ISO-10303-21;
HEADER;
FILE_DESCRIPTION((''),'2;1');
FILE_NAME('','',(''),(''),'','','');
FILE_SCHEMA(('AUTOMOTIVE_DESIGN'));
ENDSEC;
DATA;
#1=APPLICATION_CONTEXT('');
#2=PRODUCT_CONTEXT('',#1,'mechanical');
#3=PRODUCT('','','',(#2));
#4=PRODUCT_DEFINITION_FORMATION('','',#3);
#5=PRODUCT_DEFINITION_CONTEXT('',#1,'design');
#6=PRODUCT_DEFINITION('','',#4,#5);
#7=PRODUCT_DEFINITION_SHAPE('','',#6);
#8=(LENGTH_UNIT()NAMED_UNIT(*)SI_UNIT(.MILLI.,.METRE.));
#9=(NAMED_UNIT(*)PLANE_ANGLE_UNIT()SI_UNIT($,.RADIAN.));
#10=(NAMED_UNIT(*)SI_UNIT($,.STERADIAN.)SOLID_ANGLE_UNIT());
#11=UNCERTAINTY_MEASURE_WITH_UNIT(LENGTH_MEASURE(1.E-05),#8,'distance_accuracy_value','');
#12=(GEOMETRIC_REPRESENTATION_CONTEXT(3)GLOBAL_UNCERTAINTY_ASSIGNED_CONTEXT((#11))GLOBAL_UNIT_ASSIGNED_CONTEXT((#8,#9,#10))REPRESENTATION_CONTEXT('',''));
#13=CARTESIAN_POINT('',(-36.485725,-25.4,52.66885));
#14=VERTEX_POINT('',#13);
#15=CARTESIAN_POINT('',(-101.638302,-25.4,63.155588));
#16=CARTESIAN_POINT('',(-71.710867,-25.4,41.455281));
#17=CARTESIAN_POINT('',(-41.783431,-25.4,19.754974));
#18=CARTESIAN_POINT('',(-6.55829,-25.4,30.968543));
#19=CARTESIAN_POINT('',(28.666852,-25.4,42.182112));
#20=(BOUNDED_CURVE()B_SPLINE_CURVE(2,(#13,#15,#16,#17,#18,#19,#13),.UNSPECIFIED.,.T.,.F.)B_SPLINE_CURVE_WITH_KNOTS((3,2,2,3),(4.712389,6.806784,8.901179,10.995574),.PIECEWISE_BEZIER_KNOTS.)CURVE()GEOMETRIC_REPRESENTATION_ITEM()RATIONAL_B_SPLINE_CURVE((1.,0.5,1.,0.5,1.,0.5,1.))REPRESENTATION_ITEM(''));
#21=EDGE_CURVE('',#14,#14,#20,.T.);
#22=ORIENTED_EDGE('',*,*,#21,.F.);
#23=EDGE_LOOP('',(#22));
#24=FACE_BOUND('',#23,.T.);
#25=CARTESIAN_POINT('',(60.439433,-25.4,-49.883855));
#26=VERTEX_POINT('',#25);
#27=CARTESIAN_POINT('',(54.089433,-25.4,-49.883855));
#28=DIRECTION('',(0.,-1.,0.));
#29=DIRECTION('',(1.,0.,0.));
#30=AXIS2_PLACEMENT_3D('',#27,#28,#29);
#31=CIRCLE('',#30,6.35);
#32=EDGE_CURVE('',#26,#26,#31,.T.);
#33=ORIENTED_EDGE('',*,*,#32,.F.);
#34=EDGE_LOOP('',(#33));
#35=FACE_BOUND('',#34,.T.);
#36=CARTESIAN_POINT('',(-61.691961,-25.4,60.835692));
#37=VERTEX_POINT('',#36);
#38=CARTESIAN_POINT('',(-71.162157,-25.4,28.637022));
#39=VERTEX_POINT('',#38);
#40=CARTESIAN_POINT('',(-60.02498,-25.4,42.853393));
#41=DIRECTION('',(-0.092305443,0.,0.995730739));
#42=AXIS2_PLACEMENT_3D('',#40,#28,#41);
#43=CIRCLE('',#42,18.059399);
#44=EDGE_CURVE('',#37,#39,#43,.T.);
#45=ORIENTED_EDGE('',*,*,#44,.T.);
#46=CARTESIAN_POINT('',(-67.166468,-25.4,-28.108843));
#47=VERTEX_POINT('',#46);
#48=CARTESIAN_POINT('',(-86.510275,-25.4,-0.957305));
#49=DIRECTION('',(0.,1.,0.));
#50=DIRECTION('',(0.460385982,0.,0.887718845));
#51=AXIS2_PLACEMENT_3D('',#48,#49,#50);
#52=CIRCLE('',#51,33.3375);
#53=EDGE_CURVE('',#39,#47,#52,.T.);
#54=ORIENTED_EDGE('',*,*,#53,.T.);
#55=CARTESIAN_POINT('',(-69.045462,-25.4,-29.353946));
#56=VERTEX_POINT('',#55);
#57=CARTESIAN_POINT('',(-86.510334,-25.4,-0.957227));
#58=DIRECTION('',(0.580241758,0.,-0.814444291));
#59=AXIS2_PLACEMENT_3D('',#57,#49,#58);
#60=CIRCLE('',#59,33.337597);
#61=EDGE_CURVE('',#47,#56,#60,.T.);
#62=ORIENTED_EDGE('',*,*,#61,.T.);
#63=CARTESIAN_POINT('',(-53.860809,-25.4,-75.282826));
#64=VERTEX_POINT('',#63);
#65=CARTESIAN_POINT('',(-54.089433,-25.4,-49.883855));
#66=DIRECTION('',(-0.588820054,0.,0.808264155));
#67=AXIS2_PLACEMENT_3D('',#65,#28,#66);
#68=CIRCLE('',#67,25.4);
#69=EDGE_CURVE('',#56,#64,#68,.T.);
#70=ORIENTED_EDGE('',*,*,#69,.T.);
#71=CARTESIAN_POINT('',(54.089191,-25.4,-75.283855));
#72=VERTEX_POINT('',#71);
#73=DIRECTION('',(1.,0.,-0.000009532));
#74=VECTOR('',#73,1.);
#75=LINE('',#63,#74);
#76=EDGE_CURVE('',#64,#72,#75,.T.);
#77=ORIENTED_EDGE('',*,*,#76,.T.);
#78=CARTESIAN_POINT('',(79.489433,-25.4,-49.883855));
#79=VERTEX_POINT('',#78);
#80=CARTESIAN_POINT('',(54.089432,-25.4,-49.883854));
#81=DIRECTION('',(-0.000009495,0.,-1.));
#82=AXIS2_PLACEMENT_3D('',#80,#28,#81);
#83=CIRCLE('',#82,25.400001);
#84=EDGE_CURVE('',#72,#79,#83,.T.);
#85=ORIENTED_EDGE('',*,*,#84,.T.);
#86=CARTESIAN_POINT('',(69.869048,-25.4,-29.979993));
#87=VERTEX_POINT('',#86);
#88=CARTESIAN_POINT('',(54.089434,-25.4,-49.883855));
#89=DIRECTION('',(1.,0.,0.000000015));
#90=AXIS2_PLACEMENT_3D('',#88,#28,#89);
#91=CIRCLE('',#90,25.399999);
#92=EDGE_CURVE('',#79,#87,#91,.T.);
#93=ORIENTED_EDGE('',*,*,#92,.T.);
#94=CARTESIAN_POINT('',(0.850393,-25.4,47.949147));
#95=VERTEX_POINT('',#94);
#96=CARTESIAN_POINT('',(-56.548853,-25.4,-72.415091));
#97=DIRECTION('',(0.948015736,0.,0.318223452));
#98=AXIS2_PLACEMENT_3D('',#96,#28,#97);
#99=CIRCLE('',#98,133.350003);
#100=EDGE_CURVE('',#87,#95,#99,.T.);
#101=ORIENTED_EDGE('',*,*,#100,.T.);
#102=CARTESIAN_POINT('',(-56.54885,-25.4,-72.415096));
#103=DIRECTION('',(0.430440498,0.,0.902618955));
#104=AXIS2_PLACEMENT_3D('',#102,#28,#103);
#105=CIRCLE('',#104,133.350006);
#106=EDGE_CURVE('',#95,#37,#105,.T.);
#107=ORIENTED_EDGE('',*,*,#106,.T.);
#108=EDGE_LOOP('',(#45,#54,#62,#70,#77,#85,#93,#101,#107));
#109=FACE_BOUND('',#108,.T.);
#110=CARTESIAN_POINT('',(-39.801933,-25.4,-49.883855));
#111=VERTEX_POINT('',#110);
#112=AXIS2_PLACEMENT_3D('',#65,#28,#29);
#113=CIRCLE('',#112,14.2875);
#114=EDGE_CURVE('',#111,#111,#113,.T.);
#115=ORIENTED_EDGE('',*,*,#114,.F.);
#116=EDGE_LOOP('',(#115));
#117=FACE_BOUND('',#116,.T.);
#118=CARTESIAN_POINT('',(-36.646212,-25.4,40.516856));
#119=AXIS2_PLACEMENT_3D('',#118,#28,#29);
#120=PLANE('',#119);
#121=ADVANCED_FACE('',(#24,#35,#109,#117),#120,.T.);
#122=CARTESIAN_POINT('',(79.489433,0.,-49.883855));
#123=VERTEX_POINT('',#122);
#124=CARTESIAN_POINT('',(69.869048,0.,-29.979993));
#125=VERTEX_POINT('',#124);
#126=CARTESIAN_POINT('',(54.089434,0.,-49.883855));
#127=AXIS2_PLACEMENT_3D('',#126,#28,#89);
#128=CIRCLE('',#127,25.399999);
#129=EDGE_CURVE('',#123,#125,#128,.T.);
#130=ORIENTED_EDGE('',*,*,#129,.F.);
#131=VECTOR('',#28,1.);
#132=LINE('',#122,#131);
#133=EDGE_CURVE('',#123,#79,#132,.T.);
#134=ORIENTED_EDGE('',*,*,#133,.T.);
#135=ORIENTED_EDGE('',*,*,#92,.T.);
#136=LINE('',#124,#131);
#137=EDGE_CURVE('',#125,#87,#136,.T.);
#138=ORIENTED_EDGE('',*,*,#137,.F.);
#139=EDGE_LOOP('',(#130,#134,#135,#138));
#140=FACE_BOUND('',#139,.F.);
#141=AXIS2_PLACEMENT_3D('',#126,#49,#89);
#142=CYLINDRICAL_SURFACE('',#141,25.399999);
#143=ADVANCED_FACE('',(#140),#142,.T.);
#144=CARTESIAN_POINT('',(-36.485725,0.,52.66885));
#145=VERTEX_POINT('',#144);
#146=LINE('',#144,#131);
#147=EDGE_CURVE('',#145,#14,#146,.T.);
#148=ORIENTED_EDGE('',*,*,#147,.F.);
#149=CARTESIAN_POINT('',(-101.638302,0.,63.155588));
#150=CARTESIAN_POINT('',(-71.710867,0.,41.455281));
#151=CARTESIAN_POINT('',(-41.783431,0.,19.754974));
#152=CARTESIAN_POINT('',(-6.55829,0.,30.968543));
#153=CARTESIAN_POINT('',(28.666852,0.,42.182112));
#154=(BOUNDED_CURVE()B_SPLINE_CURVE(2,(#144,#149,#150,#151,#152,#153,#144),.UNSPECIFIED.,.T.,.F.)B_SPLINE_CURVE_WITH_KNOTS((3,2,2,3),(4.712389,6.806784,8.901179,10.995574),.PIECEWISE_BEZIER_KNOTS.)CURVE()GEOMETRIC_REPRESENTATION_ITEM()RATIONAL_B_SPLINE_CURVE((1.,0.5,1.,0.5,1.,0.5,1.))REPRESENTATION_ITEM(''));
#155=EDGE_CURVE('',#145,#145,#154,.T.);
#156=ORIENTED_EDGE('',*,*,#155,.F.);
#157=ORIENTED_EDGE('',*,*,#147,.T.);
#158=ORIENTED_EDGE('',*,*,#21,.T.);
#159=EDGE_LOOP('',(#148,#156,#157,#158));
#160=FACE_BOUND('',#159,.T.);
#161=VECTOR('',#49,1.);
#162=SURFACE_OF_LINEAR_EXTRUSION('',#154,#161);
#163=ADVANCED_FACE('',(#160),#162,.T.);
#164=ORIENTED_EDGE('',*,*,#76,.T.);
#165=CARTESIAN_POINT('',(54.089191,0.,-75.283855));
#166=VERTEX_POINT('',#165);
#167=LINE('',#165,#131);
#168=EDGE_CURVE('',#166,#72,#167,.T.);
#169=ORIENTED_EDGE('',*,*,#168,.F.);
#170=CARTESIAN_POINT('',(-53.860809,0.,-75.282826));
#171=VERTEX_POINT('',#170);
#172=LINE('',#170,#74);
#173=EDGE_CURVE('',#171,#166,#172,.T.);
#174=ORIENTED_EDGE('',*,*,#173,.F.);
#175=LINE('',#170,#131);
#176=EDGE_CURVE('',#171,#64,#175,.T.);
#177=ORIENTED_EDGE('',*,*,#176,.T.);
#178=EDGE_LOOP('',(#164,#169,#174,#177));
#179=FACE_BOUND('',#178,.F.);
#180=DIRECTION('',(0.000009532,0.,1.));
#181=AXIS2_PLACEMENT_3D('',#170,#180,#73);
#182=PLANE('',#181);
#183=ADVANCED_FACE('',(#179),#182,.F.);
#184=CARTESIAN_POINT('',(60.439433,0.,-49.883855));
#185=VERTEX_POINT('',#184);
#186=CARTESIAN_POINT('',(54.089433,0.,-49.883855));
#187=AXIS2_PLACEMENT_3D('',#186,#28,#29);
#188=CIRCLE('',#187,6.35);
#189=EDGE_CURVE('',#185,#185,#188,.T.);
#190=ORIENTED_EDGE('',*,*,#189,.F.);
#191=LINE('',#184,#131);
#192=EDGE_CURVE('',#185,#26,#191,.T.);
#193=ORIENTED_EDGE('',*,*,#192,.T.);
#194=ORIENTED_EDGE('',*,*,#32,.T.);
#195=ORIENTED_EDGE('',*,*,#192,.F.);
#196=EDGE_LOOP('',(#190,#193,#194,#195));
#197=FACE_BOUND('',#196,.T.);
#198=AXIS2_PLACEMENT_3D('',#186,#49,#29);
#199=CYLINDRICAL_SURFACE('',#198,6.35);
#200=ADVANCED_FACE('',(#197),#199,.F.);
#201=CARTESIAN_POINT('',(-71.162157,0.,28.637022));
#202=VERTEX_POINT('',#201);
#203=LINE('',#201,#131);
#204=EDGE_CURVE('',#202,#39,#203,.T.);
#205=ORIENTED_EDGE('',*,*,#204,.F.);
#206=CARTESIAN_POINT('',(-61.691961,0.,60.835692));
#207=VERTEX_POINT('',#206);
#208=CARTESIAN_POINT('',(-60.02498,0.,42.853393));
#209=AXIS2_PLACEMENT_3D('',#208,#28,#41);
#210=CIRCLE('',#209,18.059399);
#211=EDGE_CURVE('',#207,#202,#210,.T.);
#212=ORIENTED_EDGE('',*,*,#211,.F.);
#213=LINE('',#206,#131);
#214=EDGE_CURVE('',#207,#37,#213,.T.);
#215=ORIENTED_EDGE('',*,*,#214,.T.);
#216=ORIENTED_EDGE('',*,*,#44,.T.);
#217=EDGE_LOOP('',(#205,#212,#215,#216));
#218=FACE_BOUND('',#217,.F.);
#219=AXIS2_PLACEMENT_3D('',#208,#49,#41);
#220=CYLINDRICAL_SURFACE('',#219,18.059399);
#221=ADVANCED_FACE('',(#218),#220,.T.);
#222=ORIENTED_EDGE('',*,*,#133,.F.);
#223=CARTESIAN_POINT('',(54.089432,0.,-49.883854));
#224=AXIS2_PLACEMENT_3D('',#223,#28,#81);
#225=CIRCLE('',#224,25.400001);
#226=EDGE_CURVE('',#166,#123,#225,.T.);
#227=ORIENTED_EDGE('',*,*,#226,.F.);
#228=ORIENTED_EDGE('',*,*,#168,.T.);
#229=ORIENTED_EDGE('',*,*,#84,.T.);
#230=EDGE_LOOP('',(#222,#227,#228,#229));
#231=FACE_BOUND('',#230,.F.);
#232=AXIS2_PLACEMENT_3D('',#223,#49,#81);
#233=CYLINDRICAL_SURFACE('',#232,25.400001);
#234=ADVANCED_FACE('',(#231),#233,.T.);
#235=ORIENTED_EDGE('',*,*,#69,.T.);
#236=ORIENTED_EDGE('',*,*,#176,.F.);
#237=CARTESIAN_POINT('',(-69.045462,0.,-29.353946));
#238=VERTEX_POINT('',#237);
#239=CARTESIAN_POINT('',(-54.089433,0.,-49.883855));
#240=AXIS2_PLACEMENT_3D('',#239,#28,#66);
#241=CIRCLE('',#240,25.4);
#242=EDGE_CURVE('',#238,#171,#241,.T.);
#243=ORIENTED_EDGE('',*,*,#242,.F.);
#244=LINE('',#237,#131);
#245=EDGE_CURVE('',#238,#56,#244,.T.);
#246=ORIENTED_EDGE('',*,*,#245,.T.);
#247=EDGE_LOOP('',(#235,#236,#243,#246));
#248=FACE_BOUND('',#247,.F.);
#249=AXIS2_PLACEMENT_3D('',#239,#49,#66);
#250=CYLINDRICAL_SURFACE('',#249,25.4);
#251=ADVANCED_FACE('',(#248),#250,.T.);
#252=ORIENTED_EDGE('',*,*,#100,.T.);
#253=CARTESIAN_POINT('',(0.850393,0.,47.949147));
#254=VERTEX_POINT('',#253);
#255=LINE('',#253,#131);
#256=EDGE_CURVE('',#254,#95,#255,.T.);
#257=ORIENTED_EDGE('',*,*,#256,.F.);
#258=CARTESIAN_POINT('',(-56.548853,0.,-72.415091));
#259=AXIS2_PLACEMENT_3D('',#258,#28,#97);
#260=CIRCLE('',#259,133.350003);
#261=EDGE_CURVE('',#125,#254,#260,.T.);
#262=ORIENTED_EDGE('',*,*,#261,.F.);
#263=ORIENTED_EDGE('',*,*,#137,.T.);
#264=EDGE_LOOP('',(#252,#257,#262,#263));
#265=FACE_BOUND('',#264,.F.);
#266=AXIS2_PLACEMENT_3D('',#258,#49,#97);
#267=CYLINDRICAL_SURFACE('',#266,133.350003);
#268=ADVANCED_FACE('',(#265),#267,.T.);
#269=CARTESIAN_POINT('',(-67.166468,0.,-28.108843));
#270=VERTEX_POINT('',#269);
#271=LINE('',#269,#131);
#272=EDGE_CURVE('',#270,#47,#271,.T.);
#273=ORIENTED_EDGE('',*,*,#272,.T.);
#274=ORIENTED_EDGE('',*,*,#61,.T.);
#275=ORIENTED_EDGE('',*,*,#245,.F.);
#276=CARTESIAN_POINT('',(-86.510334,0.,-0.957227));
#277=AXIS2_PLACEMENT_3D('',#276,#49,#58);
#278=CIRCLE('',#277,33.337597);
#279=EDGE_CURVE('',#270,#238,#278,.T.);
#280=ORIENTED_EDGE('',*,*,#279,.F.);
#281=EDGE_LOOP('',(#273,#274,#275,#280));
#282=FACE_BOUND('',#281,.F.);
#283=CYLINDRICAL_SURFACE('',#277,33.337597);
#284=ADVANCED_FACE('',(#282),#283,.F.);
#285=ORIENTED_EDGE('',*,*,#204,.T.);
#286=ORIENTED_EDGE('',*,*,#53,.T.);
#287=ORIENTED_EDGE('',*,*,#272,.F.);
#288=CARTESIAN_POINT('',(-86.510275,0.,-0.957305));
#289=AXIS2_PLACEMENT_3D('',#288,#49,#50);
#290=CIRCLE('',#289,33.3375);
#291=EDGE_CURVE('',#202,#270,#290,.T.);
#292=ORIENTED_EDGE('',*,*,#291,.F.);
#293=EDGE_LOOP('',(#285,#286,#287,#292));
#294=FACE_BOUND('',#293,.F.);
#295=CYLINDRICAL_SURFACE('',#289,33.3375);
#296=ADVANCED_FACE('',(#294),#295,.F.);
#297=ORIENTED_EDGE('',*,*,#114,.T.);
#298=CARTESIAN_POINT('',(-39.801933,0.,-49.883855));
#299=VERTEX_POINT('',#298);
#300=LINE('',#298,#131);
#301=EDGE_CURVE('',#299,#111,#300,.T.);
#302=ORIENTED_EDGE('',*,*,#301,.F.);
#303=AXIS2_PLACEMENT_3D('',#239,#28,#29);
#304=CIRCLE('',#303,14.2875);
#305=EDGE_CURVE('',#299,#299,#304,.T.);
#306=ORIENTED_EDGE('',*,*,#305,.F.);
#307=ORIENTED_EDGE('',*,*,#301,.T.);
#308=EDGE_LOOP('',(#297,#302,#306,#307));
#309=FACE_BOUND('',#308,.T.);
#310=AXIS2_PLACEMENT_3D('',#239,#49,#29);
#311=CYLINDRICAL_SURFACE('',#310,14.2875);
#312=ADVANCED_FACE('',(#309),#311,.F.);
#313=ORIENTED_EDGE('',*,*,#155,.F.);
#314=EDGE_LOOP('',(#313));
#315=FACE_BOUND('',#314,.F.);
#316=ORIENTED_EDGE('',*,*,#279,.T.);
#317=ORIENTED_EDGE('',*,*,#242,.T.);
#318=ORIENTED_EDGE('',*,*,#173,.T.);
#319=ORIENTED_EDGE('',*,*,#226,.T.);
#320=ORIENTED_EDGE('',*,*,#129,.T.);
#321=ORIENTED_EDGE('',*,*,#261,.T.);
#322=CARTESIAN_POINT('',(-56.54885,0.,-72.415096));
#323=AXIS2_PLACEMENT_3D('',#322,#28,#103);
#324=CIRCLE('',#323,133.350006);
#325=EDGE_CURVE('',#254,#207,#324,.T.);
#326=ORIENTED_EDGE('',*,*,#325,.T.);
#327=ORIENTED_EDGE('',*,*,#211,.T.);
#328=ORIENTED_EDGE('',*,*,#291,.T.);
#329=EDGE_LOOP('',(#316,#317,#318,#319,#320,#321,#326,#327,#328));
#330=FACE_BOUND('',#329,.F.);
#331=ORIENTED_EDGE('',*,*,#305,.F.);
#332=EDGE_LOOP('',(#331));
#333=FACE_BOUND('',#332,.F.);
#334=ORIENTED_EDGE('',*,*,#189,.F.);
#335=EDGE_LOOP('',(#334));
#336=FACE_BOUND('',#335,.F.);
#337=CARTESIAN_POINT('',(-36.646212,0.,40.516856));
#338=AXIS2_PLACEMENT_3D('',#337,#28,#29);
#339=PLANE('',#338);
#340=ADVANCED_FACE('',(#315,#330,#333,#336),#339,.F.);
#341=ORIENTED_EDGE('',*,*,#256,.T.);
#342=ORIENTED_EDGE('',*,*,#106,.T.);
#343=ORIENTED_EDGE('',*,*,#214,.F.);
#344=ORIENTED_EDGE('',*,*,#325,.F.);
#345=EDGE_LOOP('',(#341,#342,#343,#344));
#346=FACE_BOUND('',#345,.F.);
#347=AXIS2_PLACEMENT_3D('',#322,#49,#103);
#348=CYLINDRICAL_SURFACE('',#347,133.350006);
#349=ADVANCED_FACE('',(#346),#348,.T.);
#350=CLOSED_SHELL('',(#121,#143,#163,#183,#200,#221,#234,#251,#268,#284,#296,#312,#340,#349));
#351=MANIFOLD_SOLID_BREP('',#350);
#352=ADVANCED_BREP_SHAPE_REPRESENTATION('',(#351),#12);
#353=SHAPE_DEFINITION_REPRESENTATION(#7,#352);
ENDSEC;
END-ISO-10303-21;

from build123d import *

# Parameters (mm, degrees)
F0_R     = 14.2875
F0_R_2   = 6.35
F1_DEPTH = 25.4


with BuildPart() as f1:
    # F0 (on Front) → F1 (new body)
    with BuildSketch(Plane.XZ):
        with BuildLine():
            ThreePointArc((-61.691961, 60.835692), (-77.350545, 47.949147), (-71.162157, 28.637022))
            ThreePointArc((-71.162157, 28.637022), (-42.423401, 27.949077), (-15.744486, 17.242779))
            ThreePointArc((-15.744486, 17.242779), (1.707415, 27.648546), (0.850393, 47.949147))
            ThreePointArc((0.850393, 47.949147), (-29.638042, 58.191307), (-61.691961, 60.835692))
        make_face()
        with BuildLine():
            add(Edge.make_bspline(
                [(-36.485725, 52.66885), (-101.638302, 63.155588), (-71.710867, 41.455281), (-41.783431, 19.754974), (-6.55829, 30.968543), (28.666852, 42.182112), (-36.485725, 52.66885)],
                knots=[4.712389, 4.712389, 4.712389, 6.806784, 6.806784, 8.901179, 8.901179, 10.995574, 10.995574, 10.995574], degree=2, weights=[1, 0.5, 1, 0.5, 1, 0.5, 1]))
        make_face(mode=Mode.SUBTRACT)
        with BuildLine():
            ThreePointArc((-28.689433, -49.883855), (-36.048271, -67.763354), (-53.860809, -75.282826))
            Line((-53.860809, -75.282826), (54.089191, -75.283855))
            ThreePointArc((54.089191, -75.283855), (30.102829, -41.529045), (69.869048, -29.979993))
            ThreePointArc((69.869048, -29.979993), (43.278115, 15.997576), (0.850393, 47.949147))
            ThreePointArc((0.850393, 47.949147), (1.707415, 27.648546), (-15.744486, 17.242779))
            ThreePointArc((-15.744486, 17.242779), (-42.423401, 27.949077), (-71.162157, 28.637022))
            ThreePointArc((-71.162157, 28.637022), (-53.255114, 1.384315), (-67.166468, -28.108843))
            ThreePointArc((-67.166468, -28.108843), (-41.579371, -27.778237), (-28.689433, -49.883855))
        make_face()
        with BuildLine():
            ThreePointArc((-67.166468, -28.108843), (-68.095439, -28.74728), (-69.045462, -29.353946))
            ThreePointArc((-69.045462, -29.353946), (-78.205602, -57.856958), (-53.860809, -75.282826))
            ThreePointArc((-53.860809, -75.282826), (-36.048271, -67.763354), (-28.689433, -49.883855))
            ThreePointArc((-28.689433, -49.883855), (-41.579371, -27.778237), (-67.166468, -28.108843))
        make_face()
        with Locations((-54.089433, -49.883855)):
            Circle(F0_R, mode=Mode.SUBTRACT)
        with BuildLine():
            ThreePointArc((69.869048, -29.979993), (30.102829, -41.529045), (54.089191, -75.283855))
            ThreePointArc((54.089191, -75.283855), (72.049859, -67.844453), (79.489433, -49.883855))
            ThreePointArc((79.489433, -49.883855), (76.958213, -38.830399), (69.869048, -29.979993))
        make_face()
        with Locations((54.089433, -49.883855)):
            Circle(F0_R_2, mode=Mode.SUBTRACT)
    extrude(amount=F1_DEPTH)


solid = f1.part
